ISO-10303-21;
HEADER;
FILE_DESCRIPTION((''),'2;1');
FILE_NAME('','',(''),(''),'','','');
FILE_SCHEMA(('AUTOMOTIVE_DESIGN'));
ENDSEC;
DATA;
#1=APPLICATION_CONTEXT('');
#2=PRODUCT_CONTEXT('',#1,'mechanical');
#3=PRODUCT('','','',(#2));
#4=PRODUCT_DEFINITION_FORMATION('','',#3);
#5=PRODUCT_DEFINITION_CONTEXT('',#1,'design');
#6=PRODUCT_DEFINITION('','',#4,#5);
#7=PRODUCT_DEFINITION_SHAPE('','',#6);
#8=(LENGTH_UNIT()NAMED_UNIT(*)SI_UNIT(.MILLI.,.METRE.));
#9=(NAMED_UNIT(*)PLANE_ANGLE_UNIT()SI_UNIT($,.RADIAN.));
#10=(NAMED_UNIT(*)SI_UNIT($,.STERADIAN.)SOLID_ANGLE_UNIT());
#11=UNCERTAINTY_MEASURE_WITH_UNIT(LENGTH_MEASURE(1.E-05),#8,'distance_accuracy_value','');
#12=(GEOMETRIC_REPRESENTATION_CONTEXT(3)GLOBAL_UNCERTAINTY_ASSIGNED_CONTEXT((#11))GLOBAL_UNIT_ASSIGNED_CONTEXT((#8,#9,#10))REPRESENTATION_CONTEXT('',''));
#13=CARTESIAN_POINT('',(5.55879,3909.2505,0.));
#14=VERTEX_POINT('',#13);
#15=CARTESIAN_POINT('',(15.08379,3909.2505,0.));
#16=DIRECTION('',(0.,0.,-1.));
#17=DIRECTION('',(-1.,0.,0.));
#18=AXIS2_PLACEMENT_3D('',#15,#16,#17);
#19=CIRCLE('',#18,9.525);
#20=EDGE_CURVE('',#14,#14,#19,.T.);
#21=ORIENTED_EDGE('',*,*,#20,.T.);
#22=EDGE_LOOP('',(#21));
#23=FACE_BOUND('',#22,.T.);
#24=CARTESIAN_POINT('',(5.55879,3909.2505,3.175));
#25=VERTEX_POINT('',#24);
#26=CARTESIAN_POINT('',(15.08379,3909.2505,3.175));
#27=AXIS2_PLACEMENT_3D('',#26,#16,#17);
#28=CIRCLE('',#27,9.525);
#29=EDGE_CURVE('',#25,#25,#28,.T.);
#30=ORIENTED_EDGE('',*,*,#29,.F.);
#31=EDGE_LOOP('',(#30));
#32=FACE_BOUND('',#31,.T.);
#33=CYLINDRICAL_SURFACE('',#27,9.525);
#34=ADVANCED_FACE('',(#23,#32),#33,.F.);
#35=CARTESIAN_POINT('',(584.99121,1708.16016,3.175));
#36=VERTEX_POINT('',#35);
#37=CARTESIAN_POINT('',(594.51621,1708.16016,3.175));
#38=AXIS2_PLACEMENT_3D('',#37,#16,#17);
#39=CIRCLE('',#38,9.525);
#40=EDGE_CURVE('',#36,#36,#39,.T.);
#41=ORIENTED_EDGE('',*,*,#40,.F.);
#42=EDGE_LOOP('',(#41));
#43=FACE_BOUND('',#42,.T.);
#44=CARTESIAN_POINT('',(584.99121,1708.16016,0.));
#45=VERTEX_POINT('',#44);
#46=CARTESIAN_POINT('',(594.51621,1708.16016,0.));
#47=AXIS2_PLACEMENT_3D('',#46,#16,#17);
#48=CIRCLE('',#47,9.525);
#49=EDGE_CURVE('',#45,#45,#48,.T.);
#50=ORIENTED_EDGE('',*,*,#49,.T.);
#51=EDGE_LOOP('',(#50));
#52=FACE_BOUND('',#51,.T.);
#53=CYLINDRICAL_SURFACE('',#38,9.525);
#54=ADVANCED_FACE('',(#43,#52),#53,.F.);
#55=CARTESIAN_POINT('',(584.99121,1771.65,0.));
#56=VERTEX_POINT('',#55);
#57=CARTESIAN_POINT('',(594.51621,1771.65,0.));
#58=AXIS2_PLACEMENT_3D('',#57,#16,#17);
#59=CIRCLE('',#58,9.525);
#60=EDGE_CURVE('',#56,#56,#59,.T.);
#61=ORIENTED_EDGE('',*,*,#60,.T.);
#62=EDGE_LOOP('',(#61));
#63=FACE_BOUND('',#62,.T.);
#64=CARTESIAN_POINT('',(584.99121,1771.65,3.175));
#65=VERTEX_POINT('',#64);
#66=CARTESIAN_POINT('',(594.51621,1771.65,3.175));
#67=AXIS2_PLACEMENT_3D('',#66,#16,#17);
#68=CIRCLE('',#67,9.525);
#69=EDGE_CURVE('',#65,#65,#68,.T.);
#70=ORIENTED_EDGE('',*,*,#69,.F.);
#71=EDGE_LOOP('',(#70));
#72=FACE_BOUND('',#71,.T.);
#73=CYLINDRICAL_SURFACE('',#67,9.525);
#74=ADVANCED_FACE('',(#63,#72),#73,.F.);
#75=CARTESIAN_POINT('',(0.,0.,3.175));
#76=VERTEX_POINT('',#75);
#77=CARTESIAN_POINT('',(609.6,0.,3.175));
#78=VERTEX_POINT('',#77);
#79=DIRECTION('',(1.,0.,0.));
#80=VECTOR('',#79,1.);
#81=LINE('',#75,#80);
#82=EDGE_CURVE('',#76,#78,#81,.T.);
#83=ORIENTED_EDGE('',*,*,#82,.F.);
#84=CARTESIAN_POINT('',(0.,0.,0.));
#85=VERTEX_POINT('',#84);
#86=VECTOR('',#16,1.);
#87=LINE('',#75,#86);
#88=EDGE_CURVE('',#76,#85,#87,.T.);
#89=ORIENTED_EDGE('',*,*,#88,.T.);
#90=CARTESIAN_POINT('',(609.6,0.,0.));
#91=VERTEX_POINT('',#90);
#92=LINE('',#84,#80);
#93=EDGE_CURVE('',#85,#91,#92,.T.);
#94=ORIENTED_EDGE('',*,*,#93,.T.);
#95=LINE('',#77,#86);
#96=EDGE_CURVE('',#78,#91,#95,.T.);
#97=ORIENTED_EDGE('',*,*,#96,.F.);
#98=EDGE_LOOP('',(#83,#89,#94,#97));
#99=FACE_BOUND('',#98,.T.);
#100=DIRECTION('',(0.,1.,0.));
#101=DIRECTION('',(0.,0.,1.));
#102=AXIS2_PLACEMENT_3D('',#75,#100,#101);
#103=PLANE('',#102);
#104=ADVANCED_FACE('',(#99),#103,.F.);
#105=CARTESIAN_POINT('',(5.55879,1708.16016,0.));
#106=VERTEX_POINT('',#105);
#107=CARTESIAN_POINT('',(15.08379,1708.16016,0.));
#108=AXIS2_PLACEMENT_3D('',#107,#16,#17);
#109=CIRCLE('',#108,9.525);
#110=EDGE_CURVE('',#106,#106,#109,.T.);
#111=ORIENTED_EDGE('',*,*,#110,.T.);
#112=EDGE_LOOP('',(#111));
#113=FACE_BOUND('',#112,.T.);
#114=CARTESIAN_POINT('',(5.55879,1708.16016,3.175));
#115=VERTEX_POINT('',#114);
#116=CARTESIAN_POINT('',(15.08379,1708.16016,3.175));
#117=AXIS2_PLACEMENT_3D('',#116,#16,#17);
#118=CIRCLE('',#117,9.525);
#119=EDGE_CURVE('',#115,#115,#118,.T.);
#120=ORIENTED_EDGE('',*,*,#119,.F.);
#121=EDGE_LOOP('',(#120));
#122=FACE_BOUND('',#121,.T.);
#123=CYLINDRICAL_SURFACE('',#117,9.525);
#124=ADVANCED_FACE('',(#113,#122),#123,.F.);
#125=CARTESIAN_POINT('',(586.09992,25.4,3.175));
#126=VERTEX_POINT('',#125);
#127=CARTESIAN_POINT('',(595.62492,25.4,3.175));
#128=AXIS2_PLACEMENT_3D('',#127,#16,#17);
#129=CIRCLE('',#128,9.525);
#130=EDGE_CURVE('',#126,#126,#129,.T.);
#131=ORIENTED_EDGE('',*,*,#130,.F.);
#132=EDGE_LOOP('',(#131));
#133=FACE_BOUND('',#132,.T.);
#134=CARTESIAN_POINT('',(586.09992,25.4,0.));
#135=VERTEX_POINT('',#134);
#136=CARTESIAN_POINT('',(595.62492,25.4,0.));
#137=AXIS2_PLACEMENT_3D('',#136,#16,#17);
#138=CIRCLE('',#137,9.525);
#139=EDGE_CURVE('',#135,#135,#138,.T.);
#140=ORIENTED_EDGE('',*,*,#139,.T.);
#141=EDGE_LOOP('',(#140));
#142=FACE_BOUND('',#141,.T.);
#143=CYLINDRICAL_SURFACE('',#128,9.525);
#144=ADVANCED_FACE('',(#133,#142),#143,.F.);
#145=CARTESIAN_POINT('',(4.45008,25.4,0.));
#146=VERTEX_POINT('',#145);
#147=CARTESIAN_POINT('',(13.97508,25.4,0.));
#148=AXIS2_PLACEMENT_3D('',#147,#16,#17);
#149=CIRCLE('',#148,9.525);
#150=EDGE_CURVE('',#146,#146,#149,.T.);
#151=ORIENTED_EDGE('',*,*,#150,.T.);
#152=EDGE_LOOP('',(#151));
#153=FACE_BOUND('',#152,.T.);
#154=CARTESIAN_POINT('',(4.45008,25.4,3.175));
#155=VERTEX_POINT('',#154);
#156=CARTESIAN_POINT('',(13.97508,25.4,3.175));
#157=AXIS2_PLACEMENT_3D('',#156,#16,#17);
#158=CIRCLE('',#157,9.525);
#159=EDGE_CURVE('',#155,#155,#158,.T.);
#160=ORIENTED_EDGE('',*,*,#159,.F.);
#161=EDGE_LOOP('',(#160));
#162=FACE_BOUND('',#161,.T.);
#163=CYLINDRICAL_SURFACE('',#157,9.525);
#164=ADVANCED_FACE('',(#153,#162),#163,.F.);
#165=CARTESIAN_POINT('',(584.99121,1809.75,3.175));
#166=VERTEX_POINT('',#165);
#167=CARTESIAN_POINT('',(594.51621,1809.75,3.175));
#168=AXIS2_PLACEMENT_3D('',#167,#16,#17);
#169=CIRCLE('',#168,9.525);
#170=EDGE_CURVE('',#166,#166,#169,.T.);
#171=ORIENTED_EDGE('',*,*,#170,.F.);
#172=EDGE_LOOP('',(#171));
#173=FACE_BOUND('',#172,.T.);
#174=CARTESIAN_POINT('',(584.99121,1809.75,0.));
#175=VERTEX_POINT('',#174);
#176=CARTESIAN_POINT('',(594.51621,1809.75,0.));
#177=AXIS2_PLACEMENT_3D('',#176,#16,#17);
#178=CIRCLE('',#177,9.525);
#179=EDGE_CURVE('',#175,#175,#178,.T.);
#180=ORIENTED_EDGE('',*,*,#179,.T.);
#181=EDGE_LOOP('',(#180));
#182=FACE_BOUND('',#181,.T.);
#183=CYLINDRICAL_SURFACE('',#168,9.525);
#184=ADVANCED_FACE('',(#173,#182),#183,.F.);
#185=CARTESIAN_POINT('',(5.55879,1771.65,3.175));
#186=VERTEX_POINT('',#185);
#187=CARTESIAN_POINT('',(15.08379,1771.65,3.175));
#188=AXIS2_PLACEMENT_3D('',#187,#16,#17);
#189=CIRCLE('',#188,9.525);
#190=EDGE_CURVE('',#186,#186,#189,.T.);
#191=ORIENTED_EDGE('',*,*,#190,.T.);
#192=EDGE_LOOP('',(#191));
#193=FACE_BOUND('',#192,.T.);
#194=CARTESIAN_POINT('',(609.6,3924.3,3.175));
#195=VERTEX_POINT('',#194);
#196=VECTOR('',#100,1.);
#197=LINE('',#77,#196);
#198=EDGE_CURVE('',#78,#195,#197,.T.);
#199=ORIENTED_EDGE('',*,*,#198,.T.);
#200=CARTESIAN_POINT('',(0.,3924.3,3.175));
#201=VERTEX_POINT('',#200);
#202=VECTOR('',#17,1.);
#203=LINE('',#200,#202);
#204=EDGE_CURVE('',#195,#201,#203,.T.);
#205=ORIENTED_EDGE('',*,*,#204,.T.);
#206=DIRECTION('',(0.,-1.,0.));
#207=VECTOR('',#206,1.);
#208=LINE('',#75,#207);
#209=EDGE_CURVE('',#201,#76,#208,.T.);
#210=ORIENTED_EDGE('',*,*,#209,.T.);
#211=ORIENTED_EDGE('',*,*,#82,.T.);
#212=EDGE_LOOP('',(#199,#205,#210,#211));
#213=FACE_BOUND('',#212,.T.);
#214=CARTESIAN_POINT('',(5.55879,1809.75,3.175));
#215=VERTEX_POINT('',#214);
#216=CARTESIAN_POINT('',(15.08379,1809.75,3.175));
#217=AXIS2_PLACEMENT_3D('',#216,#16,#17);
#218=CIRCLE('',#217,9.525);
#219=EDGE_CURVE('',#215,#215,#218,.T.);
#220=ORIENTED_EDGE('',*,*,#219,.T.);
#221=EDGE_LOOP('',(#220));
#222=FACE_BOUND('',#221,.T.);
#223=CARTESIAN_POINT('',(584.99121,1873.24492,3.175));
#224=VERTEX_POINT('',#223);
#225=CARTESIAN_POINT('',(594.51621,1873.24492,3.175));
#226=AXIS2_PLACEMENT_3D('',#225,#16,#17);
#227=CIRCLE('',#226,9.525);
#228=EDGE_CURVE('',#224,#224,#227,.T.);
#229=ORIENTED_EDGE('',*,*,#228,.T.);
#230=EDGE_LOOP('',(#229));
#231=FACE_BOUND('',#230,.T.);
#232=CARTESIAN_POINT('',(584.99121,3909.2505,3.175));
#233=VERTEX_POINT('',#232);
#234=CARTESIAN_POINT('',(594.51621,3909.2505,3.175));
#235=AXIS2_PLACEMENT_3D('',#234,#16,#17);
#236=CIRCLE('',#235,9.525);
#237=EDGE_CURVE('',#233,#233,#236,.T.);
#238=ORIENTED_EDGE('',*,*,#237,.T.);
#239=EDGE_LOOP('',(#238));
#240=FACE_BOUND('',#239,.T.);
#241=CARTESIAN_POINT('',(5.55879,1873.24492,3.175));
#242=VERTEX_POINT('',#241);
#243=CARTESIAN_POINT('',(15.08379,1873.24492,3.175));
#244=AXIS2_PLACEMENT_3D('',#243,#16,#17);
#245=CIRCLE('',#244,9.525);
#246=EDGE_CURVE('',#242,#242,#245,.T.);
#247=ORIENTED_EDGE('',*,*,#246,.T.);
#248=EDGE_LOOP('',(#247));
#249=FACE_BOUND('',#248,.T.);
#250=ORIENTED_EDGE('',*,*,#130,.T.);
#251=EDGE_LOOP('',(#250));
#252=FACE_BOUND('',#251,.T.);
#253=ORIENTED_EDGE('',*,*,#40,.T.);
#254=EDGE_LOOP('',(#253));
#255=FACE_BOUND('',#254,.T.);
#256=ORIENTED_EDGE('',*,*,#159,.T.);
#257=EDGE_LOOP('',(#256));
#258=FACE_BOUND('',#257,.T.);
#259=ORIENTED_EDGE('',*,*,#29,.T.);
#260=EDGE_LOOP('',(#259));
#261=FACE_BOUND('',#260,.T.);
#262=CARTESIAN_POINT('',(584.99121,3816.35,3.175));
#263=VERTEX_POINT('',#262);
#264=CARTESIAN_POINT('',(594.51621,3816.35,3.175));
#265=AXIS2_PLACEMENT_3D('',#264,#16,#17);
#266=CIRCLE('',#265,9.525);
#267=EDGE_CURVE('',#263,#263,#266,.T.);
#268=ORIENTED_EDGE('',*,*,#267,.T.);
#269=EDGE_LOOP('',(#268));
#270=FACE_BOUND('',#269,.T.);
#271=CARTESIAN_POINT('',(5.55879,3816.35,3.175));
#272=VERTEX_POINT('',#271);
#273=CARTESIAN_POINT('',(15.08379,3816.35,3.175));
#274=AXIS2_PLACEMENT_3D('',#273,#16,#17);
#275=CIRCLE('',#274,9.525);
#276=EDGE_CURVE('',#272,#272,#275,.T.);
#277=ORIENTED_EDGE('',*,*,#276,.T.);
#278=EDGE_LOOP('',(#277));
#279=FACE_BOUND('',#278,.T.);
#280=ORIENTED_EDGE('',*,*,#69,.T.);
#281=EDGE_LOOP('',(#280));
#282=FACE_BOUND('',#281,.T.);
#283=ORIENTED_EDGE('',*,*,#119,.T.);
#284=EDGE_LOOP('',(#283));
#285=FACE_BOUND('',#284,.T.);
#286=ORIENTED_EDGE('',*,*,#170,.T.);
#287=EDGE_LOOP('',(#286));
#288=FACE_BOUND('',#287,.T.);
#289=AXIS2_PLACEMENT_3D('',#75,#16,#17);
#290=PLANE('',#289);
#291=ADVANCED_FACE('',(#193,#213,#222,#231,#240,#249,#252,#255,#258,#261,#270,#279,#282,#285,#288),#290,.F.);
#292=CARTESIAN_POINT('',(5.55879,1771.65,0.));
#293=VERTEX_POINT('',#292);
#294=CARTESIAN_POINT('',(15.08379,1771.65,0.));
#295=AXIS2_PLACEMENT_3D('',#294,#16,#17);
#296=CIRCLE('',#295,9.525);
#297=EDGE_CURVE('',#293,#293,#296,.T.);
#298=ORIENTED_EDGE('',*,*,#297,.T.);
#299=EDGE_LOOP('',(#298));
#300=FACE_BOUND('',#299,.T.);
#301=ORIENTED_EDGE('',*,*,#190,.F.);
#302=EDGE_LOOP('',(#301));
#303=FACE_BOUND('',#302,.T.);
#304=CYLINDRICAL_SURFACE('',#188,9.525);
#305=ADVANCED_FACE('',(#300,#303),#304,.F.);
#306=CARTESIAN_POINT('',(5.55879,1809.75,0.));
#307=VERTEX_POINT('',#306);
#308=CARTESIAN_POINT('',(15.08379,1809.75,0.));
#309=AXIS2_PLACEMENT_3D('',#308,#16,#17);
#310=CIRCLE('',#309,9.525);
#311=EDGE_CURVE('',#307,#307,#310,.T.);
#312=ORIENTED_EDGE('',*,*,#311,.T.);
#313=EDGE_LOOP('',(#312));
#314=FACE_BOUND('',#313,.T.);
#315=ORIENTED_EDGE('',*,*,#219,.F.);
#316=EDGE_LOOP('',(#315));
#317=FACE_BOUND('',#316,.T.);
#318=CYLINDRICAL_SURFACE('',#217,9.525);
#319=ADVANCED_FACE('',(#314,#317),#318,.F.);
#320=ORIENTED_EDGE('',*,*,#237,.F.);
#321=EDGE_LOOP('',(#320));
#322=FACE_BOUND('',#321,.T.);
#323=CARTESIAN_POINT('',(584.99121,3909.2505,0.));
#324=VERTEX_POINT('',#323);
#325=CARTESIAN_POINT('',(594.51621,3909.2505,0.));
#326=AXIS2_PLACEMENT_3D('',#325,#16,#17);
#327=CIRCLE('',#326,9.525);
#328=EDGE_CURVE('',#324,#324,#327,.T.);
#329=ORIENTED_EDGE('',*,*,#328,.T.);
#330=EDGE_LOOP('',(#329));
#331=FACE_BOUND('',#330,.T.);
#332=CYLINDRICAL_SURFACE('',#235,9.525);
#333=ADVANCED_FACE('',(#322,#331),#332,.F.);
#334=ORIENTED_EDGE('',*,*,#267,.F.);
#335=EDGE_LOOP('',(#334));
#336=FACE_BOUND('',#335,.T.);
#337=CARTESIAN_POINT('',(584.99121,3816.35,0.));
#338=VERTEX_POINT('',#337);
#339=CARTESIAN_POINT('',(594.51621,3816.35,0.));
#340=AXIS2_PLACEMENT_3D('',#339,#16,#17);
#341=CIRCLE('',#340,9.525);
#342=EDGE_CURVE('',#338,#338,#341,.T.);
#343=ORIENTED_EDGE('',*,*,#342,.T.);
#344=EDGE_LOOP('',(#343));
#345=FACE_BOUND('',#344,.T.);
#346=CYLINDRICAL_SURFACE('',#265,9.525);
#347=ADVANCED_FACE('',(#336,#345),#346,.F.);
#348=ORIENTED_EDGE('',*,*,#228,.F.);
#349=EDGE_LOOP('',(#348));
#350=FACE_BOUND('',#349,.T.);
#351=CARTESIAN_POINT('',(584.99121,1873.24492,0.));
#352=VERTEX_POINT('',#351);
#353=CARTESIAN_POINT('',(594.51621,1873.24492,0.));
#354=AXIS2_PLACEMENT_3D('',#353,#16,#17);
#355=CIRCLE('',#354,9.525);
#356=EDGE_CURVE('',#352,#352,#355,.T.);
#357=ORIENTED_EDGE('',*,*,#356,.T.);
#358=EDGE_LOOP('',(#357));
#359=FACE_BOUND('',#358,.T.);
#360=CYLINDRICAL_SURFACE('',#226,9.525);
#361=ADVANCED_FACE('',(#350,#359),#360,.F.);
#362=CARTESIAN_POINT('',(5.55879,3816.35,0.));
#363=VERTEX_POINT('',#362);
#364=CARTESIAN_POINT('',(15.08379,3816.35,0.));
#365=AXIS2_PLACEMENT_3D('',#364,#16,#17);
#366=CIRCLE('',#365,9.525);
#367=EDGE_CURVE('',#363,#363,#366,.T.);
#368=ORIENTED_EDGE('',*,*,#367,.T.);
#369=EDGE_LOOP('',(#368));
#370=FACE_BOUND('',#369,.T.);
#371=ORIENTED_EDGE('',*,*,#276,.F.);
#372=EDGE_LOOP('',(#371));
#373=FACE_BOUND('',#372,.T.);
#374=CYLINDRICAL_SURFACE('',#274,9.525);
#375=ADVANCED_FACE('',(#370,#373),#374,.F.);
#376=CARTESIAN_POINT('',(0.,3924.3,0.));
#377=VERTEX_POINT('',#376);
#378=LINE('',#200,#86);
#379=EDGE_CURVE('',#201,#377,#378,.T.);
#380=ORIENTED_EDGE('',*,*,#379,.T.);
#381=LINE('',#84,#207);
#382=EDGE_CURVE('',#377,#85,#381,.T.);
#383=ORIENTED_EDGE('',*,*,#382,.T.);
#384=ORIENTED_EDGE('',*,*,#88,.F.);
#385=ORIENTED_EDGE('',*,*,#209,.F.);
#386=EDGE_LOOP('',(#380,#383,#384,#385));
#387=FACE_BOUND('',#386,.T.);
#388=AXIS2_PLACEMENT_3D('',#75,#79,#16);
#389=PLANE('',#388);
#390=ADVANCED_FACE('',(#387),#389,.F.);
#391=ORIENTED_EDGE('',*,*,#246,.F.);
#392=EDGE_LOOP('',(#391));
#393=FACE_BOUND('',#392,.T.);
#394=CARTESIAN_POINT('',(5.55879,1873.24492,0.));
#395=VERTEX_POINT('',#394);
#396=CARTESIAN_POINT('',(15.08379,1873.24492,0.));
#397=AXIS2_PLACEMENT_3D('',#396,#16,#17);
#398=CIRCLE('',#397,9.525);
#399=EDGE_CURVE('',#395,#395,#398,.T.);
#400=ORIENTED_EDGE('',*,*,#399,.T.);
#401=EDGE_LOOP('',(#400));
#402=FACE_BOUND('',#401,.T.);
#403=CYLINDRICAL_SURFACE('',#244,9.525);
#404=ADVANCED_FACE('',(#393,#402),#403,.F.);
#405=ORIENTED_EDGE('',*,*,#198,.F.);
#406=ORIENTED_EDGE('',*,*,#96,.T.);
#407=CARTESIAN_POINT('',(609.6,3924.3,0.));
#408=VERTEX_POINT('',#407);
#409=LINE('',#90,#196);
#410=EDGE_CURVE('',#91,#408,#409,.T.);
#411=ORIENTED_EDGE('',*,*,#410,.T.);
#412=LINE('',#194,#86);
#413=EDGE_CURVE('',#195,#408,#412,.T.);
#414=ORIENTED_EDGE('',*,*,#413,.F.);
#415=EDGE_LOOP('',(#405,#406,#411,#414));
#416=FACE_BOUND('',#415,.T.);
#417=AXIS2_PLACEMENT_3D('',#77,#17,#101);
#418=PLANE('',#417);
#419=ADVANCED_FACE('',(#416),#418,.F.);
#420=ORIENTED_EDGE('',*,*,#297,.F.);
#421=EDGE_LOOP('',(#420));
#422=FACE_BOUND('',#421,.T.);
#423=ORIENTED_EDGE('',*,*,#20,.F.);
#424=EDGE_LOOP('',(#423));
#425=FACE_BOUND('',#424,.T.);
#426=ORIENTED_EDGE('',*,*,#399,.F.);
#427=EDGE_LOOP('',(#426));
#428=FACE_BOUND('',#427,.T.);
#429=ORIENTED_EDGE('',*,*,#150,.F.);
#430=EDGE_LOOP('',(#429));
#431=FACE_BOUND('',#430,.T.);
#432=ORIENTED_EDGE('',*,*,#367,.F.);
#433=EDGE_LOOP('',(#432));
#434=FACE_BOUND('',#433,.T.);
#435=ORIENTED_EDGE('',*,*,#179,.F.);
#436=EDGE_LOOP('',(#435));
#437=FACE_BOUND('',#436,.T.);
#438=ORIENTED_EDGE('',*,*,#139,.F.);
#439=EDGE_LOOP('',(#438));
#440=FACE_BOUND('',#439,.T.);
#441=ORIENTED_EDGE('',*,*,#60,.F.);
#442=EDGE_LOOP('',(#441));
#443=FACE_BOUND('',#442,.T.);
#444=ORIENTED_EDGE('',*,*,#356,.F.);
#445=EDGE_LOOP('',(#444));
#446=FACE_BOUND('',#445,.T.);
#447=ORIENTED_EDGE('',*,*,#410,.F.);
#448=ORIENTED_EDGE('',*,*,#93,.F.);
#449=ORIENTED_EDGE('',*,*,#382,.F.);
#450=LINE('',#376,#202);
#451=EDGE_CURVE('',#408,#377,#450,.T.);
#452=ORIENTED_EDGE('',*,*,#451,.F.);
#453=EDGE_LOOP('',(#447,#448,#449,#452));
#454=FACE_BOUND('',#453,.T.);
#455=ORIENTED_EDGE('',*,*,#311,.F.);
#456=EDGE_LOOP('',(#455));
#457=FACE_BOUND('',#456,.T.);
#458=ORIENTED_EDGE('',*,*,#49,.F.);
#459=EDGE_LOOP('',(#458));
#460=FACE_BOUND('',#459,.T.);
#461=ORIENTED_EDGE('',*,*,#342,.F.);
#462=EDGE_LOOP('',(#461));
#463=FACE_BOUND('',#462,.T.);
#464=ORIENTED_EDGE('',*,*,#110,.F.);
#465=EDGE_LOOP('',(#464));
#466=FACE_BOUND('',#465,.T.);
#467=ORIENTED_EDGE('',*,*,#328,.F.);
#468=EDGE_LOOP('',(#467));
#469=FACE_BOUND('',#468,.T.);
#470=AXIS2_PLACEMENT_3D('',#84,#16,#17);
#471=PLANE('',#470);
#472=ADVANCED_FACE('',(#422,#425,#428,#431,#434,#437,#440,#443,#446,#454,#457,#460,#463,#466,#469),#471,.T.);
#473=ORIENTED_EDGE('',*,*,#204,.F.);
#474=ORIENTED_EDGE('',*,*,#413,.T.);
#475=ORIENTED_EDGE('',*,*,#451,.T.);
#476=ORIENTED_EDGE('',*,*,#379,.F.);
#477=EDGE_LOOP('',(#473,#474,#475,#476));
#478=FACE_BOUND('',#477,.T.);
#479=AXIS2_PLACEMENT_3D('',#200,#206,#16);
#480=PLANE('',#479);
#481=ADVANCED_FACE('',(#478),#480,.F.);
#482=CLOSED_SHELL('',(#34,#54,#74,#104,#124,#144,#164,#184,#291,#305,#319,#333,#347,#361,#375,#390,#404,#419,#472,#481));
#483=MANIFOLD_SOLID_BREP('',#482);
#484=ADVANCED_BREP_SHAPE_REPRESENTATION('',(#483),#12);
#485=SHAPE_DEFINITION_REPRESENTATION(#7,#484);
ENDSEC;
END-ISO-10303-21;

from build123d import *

# Parameters (mm, degrees)
SKETCH1_W           = 609.6
SKETCH1_H           = 3924.3
BOSS_EXTRUDE1_DEPTH = 3.175
SKETCH3_R           = 9.525
CUT_EXTRUDE2_DEPTH  = 3972.366607432


with BuildPart() as part:
    # Sketch1 → Boss-Extrude1 (new body)
    with BuildSketch(Plane.XY):
        with Locations((304.8, 1962.15)):
            Rectangle(SKETCH1_W, SKETCH1_H)
    extrude(amount=BOSS_EXTRUDE1_DEPTH)

    # Sketch3 → Cut-Extrude2 (cut, through all)
    with BuildSketch(Plane(origin=(0, 0, 0), x_dir=(-1, 0, 0), z_dir=(0, 0, -1))):
        with Locations((-594.51621, 3909.2505)):
            Circle(SKETCH3_R)
        with Locations((-594.51621, 3816.35)):
            Circle(SKETCH3_R)
        with Locations((-594.51621, 1873.24492)):
            Circle(SKETCH3_R)
        with Locations((-594.51621, 1809.75)):
            Circle(SKETCH3_R)
        with Locations((-594.51621, 1771.65)):
            Circle(SKETCH3_R)
        with Locations((-594.51621, 1708.16016)):
            Circle(SKETCH3_R)
        with Locations((-595.62492, 25.4)):
            Circle(SKETCH3_R)
        with Locations((-15.08379, 3909.2505)):
            Circle(SKETCH3_R)
        with Locations((-15.08379, 3816.35)):
            Circle(SKETCH3_R)
        with Locations((-15.08379, 1873.24492)):
            Circle(SKETCH3_R)
        with Locations((-15.08379, 1809.75)):
            Circle(SKETCH3_R)
        with Locations((-15.08379, 1771.65)):
            Circle(SKETCH3_R)
        with Locations((-15.08379, 1708.16016)):
            Circle(SKETCH3_R)
        with Locations((-13.97508, 25.4)):
            Circle(SKETCH3_R)
    extrude(amount=-CUT_EXTRUDE2_DEPTH, mode=Mode.SUBTRACT)


solid = part.part
